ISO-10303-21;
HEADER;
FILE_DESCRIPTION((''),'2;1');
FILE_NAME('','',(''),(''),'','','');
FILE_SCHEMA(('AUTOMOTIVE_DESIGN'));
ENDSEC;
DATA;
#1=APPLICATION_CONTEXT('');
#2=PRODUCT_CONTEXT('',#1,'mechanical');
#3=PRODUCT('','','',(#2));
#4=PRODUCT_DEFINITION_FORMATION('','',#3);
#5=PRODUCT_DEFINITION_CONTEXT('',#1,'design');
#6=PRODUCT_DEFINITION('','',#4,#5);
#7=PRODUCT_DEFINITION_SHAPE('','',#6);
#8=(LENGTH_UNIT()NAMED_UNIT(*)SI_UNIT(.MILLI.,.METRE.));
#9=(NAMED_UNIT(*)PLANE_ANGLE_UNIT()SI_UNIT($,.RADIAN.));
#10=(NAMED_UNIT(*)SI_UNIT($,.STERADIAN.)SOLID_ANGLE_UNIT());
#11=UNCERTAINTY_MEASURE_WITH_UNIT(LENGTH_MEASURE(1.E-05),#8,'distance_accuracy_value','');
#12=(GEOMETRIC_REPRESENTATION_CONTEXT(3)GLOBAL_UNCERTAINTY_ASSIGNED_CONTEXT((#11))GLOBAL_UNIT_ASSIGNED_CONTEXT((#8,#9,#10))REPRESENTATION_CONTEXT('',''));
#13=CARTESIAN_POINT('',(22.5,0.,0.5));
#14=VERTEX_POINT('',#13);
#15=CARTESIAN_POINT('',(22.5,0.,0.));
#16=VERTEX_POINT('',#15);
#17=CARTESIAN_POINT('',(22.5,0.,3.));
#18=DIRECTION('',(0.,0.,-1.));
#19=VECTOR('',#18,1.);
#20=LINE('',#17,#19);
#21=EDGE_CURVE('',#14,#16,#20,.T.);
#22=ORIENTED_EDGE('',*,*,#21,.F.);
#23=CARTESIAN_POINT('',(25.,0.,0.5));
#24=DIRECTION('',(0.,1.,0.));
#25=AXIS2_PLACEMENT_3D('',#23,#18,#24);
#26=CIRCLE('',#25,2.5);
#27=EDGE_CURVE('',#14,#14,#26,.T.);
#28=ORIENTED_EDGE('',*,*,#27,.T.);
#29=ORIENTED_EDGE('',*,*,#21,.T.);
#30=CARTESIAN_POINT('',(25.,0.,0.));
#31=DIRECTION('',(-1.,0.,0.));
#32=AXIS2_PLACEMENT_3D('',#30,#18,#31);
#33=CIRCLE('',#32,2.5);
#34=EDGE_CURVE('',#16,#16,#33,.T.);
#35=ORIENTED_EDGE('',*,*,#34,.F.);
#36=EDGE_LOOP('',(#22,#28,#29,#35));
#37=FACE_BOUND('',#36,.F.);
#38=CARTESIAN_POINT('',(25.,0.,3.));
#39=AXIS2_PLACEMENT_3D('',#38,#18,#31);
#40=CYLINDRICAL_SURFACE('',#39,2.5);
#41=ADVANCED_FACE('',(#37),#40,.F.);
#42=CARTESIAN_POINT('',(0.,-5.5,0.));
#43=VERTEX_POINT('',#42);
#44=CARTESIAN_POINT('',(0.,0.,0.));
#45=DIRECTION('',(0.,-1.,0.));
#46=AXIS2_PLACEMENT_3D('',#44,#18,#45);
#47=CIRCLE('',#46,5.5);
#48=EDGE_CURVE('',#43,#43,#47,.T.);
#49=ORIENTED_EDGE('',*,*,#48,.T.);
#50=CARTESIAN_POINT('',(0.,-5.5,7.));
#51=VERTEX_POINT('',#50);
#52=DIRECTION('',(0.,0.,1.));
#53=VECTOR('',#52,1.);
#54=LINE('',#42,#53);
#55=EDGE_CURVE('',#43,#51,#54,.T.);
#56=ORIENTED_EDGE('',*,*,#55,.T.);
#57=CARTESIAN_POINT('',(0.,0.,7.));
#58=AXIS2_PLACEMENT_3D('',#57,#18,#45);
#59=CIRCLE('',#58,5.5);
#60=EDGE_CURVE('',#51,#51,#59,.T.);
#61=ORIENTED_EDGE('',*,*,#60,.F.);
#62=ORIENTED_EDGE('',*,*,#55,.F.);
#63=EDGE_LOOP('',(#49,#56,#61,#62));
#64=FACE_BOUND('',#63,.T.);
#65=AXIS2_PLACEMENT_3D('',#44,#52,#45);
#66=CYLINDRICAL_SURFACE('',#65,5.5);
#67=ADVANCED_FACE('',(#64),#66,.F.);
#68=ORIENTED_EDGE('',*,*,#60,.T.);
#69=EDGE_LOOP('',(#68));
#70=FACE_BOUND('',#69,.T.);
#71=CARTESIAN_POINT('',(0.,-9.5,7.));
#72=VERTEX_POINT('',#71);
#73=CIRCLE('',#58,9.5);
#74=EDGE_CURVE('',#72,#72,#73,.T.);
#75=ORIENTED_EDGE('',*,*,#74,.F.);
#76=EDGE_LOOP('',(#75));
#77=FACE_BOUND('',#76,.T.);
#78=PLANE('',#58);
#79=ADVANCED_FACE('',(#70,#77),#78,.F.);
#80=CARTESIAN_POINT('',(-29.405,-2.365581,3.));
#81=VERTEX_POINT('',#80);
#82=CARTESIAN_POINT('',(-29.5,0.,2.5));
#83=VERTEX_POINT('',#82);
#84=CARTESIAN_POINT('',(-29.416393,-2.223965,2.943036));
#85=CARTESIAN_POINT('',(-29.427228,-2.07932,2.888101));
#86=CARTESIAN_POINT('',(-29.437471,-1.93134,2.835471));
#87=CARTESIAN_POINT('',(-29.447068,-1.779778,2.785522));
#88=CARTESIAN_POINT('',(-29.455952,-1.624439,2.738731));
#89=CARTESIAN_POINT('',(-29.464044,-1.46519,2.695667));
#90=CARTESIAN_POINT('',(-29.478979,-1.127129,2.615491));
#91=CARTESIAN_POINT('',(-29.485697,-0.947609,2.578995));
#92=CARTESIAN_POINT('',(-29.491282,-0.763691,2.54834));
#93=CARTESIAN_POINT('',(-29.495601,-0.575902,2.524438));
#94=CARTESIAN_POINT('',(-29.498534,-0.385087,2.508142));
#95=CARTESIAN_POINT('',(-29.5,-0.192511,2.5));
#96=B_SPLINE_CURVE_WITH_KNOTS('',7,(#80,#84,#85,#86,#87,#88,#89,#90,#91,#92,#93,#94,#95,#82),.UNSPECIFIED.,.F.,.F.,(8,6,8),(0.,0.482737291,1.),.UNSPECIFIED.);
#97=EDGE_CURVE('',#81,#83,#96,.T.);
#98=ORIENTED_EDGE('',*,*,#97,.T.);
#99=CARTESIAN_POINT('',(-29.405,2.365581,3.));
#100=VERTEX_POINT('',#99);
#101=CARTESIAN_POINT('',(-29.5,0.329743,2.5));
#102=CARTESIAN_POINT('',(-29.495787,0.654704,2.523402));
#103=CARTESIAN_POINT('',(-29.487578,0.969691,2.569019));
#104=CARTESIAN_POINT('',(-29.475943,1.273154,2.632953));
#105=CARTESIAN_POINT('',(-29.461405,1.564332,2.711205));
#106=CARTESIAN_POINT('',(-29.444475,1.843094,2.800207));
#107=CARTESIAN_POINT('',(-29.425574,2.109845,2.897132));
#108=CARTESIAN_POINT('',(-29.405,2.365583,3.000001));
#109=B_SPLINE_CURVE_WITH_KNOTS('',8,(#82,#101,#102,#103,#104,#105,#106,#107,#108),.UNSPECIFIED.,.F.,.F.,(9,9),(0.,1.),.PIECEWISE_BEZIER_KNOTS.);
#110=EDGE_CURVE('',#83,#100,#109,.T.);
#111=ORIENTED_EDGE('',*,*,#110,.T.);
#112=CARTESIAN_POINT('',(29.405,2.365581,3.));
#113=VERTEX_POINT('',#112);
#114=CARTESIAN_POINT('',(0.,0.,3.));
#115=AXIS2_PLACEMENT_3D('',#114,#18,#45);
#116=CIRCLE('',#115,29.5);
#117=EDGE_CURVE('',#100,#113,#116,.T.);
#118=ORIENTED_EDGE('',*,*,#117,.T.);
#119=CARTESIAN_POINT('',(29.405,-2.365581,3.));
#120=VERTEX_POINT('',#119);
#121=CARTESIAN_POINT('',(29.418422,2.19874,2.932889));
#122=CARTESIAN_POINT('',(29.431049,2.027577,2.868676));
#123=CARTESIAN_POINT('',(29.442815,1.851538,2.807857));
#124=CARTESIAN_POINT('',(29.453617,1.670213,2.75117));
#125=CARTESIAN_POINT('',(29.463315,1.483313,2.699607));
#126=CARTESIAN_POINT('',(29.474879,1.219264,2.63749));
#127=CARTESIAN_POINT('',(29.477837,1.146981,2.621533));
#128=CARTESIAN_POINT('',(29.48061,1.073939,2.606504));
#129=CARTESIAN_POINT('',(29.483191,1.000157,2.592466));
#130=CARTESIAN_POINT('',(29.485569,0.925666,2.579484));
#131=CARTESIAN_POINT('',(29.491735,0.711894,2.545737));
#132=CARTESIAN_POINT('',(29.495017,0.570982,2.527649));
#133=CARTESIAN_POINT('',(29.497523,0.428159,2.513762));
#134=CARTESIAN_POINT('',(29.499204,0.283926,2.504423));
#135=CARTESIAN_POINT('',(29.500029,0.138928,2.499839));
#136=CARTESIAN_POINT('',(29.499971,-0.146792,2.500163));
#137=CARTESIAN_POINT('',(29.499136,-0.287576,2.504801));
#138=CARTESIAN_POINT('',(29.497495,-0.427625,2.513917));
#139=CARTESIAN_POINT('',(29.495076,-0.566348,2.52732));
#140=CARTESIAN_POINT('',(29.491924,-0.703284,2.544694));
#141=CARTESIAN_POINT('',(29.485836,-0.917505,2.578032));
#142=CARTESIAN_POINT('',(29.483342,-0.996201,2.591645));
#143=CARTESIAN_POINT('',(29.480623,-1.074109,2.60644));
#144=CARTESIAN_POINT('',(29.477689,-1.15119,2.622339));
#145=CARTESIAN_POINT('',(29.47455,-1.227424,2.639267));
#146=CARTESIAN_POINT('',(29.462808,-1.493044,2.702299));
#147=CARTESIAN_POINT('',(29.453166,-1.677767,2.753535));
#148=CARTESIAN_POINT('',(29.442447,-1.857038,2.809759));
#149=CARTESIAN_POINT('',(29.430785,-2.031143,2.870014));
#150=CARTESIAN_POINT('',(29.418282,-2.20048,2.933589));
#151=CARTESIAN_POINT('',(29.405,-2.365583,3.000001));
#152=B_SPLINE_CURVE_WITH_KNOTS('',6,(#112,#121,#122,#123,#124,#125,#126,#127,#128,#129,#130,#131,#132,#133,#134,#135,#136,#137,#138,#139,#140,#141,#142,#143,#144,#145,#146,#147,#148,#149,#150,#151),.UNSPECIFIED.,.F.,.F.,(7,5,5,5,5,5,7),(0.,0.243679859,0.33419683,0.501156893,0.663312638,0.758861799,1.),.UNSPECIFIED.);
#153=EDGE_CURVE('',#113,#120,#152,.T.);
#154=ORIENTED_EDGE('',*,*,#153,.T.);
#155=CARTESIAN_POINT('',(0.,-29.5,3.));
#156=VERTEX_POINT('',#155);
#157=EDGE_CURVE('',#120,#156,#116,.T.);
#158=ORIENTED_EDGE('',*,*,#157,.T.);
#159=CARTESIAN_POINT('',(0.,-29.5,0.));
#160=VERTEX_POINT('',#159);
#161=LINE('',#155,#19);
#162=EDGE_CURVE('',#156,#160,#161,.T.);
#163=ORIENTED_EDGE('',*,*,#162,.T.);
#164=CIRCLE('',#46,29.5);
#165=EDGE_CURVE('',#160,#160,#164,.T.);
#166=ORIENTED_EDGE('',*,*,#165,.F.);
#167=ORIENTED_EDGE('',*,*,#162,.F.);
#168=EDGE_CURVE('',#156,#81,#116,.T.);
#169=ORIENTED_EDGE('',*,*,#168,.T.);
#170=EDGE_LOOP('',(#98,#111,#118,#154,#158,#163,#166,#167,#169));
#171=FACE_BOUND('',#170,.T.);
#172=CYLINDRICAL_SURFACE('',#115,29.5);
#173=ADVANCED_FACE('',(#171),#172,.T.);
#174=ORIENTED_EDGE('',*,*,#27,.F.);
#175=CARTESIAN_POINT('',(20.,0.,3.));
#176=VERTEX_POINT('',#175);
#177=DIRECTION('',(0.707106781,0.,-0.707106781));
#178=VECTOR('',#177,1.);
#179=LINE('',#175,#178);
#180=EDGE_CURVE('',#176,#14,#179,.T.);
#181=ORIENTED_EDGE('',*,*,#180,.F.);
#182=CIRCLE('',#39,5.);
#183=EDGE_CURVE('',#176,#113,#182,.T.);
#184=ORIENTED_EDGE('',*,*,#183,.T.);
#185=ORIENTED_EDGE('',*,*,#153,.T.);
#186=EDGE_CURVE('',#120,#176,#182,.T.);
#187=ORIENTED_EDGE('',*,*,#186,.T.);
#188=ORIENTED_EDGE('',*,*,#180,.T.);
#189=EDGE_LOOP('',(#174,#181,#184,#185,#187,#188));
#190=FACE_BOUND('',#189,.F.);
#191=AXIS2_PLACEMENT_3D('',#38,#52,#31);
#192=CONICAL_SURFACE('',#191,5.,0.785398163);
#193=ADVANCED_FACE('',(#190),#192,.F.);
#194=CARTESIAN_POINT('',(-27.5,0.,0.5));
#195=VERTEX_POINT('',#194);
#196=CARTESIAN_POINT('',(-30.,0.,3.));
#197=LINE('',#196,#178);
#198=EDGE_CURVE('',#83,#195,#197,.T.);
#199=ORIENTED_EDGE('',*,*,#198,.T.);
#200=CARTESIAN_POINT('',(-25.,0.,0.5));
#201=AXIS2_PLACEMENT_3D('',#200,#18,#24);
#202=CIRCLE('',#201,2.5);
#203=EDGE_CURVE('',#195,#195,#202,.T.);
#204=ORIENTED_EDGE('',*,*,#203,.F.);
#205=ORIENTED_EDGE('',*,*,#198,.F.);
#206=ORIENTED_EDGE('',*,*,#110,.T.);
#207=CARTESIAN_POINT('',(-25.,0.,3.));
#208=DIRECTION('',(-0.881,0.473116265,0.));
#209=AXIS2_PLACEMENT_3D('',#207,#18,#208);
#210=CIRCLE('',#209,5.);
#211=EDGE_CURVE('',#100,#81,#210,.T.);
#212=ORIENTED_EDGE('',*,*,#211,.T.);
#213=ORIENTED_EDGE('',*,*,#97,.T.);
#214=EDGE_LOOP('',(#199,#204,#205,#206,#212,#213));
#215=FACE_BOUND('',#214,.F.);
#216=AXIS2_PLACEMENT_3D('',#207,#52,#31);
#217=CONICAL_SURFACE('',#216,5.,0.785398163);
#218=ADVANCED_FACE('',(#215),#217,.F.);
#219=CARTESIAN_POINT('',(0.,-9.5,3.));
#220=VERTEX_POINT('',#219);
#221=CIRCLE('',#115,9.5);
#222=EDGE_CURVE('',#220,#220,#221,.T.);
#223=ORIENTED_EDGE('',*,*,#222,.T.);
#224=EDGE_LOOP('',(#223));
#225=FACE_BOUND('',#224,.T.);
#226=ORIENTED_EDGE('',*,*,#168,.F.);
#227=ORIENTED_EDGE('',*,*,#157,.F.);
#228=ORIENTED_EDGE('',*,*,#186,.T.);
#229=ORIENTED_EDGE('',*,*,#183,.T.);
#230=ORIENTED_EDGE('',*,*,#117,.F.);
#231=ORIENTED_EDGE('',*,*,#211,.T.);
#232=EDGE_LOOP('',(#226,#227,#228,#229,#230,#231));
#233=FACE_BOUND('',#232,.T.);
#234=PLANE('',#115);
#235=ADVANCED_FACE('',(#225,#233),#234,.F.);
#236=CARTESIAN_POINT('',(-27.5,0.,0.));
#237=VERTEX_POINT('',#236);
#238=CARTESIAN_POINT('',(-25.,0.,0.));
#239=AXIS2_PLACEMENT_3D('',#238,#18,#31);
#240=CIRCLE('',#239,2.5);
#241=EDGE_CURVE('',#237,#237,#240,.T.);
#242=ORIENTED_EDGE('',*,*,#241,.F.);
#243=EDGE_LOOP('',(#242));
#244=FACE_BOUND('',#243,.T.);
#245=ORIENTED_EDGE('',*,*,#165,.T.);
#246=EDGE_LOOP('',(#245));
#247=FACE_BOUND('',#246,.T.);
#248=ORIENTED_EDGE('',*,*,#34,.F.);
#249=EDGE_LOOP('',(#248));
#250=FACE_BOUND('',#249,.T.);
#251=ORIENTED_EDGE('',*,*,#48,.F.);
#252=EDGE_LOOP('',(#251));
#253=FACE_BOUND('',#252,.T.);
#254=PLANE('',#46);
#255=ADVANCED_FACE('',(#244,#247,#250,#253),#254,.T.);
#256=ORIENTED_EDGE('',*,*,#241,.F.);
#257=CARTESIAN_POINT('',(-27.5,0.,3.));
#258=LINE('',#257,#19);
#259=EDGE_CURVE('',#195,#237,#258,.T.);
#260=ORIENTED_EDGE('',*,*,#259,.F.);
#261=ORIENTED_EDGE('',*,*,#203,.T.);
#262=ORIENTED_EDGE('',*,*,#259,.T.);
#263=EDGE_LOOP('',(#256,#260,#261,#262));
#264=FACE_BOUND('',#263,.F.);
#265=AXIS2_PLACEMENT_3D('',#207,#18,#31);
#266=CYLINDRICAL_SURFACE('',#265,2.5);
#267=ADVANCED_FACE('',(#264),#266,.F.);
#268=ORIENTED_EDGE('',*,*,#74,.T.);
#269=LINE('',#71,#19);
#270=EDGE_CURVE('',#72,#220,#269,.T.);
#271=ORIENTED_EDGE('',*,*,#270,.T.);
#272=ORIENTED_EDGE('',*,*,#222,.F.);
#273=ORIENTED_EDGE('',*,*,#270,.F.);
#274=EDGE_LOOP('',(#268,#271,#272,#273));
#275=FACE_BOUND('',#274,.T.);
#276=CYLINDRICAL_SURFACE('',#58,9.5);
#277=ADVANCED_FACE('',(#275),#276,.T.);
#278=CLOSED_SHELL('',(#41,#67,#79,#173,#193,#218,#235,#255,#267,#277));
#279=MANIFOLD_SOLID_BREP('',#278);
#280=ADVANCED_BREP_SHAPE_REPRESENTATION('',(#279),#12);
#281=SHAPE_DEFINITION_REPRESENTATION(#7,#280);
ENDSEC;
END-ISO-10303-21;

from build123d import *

# Parameters (mm, degrees)
F3_D           = 5
F3_CSINK_D     = 10
F3_CSINK_ANGLE = 90


with BuildPart() as f1:
    # F0 (on Right) → F1 (revolve)
    with BuildSketch(Plane.YZ):
        Polygon((-29.5, 3), (-29.5, 0), (-5.5, 0), (-5.5, 7), (-9.5, 7), (-9.5, 3), align=None)
    revolve(axis=Axis((0, 0, 10.817133), (0, 0, -1)))

    # F3 (through all)
    with Locations(Plane.XY.offset(3)):
        with Locations((-25, 0), (25, 0)):
            CounterSinkHole(F3_D / 2, F3_CSINK_D / 2, counter_sink_angle=F3_CSINK_ANGLE)


solid = f1.part
